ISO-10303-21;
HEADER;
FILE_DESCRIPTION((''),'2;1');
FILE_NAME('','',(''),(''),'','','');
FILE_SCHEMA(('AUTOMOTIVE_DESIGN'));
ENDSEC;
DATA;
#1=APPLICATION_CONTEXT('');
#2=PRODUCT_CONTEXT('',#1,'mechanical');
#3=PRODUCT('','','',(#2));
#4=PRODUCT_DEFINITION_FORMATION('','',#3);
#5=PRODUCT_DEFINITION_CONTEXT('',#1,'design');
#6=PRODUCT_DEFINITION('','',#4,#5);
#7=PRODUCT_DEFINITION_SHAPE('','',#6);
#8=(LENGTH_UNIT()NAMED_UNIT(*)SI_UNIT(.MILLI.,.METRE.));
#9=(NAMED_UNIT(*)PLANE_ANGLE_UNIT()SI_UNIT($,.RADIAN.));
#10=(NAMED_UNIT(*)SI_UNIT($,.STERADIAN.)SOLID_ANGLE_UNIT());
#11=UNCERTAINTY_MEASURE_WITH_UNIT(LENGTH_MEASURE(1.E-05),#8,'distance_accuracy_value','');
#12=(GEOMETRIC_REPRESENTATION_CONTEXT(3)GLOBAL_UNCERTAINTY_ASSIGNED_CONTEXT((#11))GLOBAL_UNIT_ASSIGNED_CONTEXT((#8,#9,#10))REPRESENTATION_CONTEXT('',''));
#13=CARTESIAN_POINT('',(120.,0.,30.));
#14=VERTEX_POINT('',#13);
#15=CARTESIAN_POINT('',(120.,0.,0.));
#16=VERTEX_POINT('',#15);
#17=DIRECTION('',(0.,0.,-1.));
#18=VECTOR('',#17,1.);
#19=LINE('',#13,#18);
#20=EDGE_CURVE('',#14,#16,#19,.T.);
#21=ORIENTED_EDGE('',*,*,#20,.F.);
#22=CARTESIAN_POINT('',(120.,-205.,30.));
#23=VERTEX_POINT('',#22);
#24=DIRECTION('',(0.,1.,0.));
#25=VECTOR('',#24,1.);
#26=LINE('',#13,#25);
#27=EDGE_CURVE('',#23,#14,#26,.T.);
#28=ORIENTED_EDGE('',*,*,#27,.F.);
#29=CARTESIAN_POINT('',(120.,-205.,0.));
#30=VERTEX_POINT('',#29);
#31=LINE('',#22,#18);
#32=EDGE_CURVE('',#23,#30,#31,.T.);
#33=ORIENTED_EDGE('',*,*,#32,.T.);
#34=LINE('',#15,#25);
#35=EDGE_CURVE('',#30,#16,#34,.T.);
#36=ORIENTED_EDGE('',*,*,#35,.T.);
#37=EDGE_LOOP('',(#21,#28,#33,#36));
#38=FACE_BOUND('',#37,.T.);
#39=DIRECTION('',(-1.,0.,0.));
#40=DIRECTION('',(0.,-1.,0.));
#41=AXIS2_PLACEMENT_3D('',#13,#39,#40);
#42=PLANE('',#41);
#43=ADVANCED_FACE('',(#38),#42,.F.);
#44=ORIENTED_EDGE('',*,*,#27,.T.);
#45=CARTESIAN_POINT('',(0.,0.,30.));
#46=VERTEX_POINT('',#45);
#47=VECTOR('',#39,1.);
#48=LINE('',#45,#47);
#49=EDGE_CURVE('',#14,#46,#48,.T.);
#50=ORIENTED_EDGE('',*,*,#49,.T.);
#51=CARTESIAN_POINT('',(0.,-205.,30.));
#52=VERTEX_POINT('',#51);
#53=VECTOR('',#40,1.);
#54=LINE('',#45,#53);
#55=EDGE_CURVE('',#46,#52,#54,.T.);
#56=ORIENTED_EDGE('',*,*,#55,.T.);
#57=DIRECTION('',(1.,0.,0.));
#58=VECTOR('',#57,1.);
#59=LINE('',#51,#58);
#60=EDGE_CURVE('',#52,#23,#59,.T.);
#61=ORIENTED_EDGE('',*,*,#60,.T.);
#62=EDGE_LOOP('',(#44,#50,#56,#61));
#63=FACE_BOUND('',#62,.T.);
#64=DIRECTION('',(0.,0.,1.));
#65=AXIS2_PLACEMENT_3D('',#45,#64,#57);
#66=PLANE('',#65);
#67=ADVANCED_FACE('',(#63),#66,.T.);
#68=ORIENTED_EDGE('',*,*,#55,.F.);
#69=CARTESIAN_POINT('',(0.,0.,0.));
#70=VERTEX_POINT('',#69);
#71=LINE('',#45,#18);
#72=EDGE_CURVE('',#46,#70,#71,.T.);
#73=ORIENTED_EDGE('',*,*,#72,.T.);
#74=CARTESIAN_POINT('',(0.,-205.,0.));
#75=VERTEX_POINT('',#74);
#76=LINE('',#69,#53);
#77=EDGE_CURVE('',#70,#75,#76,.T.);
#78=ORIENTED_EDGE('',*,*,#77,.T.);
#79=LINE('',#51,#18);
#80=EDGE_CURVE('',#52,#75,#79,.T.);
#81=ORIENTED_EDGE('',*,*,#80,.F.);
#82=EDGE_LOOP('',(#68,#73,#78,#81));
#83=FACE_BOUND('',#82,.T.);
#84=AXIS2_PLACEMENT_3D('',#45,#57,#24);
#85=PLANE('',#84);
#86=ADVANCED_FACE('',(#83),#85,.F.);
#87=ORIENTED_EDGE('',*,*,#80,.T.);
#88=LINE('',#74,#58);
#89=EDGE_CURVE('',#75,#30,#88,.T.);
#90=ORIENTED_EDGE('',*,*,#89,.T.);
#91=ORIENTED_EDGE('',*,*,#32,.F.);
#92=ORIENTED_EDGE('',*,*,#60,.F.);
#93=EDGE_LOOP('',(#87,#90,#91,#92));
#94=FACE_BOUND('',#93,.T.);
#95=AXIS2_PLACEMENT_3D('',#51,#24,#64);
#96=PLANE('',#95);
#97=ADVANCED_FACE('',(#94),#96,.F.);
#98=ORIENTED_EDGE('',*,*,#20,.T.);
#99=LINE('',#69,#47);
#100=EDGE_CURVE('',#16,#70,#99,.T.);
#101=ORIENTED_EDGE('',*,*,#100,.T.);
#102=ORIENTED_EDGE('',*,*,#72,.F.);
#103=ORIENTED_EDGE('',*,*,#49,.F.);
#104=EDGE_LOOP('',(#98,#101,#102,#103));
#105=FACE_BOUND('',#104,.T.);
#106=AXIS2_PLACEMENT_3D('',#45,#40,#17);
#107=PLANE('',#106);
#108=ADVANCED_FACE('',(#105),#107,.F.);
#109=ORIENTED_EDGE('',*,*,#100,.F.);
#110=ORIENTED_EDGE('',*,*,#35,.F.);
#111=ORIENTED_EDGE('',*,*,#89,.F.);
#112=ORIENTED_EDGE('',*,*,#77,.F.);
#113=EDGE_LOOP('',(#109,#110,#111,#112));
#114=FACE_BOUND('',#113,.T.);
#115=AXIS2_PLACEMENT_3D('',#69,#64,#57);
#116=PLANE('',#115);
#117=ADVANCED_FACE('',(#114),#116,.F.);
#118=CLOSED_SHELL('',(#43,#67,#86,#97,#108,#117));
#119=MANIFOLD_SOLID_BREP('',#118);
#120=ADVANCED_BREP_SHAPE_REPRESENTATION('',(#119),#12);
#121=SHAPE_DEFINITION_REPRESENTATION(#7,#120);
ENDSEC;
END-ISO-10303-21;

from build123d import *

# Parameters (mm, degrees)
SKETCH1_W           = 120
SKETCH1_H           = 205
BOSS_EXTRUDE1_DEPTH = 30


with BuildPart() as part:
    # Sketch1 → Boss-Extrude1 (new body)
    with BuildSketch(Plane.XY):
        with Locations((60, -102.5)):
            Rectangle(SKETCH1_W, SKETCH1_H)
    extrude(amount=BOSS_EXTRUDE1_DEPTH)


solid = part.part
